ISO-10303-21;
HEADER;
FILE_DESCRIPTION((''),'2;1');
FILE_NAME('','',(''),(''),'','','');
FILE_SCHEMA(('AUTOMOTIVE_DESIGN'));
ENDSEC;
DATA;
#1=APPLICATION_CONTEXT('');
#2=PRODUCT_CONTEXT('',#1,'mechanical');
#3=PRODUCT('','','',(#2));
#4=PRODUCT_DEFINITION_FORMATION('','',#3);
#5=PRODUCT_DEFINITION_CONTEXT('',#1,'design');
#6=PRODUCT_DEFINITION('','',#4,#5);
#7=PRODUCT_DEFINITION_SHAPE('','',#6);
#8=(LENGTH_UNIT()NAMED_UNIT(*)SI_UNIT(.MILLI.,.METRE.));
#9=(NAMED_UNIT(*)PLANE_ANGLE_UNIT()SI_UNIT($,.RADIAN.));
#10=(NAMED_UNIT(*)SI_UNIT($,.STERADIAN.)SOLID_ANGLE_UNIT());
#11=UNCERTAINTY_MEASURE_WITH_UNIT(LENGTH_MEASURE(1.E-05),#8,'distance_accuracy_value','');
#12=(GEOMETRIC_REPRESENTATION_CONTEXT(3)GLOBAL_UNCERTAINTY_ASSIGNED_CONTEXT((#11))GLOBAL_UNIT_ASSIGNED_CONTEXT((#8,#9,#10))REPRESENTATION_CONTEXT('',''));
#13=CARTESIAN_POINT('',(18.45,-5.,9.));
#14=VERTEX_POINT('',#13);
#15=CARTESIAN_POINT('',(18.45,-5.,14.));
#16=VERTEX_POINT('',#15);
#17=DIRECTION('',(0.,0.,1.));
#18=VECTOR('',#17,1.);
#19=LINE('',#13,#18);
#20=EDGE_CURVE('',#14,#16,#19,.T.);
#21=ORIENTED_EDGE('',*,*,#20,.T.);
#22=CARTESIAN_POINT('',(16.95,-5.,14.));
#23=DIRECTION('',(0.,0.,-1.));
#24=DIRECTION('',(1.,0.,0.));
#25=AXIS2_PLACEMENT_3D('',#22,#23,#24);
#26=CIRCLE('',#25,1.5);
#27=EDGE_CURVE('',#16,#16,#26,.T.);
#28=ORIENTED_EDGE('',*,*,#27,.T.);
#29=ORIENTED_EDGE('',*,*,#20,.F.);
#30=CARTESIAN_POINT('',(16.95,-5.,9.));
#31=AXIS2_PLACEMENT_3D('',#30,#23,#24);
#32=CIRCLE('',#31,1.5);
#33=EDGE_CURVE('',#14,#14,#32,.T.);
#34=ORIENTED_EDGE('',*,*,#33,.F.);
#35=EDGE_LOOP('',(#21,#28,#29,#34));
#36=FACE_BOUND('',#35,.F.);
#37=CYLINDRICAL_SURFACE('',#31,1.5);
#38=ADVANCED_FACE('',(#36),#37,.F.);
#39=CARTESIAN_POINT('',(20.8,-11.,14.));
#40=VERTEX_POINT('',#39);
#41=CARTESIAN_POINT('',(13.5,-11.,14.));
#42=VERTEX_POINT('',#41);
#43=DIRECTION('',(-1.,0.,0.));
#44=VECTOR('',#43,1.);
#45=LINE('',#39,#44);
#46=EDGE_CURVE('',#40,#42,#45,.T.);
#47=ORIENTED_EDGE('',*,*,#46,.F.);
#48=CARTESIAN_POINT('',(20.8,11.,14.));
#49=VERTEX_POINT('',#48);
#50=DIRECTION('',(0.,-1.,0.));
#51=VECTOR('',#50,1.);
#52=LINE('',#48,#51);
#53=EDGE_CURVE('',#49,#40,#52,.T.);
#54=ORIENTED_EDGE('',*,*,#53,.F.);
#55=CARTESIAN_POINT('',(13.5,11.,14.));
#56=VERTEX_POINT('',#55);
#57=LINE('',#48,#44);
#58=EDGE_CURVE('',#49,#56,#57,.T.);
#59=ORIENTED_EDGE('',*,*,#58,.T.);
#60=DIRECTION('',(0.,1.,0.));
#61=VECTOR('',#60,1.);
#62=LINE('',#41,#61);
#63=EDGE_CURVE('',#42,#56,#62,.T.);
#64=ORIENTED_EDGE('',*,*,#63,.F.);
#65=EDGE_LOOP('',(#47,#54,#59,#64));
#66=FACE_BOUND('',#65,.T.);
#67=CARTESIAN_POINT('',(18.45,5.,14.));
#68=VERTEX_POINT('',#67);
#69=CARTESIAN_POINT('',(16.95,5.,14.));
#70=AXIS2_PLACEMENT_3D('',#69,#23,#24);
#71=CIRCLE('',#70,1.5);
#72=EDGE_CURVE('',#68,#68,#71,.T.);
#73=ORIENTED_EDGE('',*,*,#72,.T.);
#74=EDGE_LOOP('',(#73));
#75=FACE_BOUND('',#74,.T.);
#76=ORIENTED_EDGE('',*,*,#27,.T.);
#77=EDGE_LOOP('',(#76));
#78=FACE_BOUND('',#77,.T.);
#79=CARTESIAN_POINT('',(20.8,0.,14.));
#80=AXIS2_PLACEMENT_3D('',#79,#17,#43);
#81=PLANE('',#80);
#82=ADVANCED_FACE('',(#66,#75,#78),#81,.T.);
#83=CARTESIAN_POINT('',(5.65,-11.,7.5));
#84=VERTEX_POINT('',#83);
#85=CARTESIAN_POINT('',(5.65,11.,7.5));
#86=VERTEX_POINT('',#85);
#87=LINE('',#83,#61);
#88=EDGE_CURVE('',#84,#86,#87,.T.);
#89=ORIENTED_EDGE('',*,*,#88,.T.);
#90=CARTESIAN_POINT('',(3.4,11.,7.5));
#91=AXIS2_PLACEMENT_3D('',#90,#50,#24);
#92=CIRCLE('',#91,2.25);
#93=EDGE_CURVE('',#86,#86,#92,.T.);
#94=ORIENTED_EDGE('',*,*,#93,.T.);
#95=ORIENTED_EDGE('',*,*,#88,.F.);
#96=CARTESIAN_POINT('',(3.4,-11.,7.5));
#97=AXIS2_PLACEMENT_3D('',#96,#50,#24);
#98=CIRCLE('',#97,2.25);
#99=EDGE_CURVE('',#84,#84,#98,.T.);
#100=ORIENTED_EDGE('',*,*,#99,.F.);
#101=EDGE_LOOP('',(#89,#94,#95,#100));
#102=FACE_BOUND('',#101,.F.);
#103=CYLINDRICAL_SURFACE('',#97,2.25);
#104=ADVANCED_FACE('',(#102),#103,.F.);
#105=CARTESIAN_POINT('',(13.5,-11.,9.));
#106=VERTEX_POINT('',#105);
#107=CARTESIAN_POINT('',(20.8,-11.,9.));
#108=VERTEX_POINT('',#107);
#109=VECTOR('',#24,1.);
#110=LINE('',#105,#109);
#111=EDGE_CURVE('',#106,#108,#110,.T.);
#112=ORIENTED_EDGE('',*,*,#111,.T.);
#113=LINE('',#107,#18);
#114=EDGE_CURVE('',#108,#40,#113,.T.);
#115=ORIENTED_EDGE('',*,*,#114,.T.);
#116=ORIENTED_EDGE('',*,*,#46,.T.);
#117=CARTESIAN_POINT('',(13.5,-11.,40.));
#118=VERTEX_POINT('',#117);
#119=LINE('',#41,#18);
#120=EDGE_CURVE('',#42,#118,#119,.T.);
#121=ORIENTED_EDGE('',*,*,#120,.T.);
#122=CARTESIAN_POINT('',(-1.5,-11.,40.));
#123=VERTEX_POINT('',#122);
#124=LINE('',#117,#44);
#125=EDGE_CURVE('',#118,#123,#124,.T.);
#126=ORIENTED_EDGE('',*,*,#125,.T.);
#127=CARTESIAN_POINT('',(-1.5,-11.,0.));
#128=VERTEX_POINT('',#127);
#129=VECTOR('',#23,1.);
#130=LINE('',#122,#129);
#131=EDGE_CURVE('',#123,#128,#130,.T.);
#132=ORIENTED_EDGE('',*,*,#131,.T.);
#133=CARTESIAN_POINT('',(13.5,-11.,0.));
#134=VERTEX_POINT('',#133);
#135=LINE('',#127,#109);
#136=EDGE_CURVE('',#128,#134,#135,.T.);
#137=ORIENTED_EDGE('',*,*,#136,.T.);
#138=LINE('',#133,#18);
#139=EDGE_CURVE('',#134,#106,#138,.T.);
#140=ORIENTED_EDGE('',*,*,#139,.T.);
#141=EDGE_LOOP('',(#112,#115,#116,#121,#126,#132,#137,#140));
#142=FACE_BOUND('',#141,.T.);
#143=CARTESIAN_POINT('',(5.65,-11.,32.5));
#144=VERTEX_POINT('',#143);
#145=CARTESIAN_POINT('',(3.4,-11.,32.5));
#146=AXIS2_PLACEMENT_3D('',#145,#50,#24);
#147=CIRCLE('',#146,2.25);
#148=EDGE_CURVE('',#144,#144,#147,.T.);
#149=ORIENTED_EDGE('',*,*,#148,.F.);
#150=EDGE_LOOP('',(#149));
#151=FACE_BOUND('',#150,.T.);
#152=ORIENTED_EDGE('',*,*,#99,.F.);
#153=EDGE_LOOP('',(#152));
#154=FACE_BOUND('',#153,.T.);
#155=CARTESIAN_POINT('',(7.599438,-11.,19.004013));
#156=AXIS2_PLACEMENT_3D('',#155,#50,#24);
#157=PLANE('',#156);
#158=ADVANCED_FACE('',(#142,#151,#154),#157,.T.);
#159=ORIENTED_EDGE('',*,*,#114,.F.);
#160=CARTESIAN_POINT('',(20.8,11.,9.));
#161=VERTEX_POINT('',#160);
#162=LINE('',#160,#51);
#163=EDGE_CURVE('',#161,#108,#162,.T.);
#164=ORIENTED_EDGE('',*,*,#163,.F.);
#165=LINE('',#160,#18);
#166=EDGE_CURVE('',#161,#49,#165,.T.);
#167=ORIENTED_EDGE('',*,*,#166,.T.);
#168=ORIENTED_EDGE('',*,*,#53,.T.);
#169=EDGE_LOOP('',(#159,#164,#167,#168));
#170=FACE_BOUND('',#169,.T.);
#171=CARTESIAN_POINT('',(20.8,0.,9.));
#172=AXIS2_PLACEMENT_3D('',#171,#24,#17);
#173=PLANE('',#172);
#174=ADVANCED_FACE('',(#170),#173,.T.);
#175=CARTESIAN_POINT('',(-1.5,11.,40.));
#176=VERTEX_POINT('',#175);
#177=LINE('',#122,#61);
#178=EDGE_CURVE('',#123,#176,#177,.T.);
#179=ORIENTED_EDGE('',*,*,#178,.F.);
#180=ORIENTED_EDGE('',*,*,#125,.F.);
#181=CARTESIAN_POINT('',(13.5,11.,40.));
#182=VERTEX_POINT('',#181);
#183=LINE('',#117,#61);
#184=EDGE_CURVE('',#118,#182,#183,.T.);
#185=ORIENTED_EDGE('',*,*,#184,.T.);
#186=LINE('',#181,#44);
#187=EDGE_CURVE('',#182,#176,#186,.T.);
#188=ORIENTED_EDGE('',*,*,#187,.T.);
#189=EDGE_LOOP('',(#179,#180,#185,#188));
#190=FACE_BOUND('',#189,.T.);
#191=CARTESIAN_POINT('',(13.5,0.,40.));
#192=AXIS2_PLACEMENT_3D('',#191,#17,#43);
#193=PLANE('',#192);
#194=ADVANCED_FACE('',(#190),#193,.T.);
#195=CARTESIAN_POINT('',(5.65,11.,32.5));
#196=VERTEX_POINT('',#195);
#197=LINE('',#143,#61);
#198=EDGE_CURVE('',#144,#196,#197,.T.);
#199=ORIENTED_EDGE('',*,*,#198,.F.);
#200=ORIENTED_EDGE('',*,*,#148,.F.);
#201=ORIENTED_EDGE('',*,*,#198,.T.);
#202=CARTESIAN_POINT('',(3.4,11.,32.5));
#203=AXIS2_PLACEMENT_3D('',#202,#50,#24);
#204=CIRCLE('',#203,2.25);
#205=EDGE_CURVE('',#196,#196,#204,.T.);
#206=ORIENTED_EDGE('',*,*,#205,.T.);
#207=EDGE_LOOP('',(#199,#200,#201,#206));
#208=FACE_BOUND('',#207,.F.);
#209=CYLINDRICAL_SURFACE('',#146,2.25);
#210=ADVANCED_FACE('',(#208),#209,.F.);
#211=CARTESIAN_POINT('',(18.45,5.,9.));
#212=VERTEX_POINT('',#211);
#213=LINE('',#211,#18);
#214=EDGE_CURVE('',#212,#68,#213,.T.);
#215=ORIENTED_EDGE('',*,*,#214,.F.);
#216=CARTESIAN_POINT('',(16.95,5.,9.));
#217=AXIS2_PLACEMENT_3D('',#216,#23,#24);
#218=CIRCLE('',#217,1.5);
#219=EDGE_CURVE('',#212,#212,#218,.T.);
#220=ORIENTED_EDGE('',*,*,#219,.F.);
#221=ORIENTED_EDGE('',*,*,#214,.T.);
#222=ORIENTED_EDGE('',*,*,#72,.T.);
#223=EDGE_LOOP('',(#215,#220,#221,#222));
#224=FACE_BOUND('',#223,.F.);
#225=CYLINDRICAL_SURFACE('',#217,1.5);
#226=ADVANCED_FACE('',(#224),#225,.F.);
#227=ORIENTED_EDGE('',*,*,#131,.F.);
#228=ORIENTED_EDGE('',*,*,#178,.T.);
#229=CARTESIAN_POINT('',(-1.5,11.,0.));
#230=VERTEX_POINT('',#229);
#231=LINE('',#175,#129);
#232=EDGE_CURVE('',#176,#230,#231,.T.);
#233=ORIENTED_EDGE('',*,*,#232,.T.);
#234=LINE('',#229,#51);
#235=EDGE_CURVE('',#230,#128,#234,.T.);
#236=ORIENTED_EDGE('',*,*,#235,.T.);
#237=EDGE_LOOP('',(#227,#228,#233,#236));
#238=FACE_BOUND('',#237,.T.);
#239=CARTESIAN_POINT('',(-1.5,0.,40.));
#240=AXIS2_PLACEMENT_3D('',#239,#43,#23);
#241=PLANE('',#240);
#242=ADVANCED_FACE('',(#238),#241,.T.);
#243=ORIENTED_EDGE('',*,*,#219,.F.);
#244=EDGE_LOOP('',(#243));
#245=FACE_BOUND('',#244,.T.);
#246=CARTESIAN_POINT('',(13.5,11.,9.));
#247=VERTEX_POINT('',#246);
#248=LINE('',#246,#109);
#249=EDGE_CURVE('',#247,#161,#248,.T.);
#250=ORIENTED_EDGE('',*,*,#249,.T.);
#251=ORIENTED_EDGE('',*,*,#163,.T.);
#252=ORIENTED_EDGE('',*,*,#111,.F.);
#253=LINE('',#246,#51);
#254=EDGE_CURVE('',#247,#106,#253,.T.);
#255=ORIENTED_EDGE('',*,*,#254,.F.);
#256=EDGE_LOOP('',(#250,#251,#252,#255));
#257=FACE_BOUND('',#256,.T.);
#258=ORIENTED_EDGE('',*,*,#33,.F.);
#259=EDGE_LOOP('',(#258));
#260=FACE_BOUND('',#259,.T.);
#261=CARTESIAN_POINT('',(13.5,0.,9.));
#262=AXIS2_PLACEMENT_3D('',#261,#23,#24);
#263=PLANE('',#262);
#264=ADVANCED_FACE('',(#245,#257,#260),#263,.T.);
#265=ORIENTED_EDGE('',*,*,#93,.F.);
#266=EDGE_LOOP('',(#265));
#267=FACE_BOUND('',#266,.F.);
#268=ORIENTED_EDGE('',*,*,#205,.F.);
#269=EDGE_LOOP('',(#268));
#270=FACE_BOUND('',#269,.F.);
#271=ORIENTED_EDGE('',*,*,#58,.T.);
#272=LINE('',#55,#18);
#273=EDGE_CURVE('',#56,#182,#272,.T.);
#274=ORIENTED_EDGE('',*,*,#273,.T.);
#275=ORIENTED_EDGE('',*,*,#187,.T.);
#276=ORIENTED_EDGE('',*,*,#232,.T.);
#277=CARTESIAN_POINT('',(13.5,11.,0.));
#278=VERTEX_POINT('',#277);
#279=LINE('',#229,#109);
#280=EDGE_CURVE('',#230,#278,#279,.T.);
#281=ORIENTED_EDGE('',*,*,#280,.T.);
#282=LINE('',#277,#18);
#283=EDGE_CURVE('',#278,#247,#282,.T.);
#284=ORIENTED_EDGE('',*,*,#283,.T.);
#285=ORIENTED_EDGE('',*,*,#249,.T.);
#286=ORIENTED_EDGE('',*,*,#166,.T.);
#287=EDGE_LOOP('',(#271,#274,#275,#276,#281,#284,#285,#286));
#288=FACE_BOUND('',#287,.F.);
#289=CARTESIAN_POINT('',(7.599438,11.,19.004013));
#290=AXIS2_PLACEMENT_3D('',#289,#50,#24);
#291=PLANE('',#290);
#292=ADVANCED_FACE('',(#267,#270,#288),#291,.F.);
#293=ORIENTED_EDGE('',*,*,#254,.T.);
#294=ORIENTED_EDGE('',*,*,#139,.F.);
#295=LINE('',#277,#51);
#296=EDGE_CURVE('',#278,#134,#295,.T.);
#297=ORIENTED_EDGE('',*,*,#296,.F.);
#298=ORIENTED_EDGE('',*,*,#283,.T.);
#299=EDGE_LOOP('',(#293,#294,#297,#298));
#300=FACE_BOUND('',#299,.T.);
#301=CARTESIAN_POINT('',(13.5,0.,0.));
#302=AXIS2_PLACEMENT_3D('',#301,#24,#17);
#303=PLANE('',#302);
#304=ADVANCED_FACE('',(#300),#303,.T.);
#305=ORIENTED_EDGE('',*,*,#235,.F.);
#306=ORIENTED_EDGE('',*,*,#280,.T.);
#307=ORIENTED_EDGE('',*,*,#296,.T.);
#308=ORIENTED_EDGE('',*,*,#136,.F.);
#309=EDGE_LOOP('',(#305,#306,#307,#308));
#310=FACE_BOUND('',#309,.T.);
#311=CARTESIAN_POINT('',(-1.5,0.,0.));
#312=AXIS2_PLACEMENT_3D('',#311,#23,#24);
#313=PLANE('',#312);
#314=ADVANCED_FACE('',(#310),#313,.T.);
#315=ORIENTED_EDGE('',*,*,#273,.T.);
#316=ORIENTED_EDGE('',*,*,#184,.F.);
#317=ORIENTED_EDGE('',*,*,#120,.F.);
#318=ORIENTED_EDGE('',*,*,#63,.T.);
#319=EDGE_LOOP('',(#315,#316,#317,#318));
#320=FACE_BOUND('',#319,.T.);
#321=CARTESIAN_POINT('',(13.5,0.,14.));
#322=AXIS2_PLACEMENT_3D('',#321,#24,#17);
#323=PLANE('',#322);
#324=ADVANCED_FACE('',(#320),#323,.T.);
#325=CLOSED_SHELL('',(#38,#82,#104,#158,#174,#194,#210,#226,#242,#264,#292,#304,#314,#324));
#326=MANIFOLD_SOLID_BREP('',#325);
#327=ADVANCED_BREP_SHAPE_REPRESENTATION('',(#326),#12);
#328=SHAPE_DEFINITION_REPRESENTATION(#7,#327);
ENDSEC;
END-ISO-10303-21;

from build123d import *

# Parameters (mm, degrees)
PAD_DEPTH       = 11
SKETCH004_R     = 2.25
POCKET003_DEPTH = 25
SKETCH005_R     = 1.5
POCKET004_DEPTH = 5


with BuildPart() as part:
    # Sketch → Pad (new body, symmetric)
    with BuildSketch(Plane.XZ):
        Polygon((-1.5, 40), (-1.5, 0), (13.5, 0), (13.5, 9), (20.8, 9), (20.8, 14), (13.5, 14), (13.5, 40), align=None)
    extrude(amount=PAD_DEPTH, both=True)

    # Sketch004 (on Face10 of Pad) → Pocket003 (cut)
    with BuildSketch(Plane.XZ.offset(11)):
        with Locations((3.4, 32.5)):
            Circle(SKETCH004_R)
        with Locations((3.4, 7.5)):
            Circle(SKETCH004_R)
    extrude(amount=-POCKET003_DEPTH, mode=Mode.SUBTRACT)

    # Sketch005 (on Face9 of Pocket003) → Pocket004 (cut)
    with BuildSketch(Plane(origin=(0, 0, 9), x_dir=(1, 0, 0), z_dir=(0, 0, -1))):
        with Locations((16.95, 5)):
            Circle(SKETCH005_R)
        with Locations((16.95, -5)):
            Circle(SKETCH005_R)
    extrude(amount=-POCKET004_DEPTH, mode=Mode.SUBTRACT)


solid = part.part
